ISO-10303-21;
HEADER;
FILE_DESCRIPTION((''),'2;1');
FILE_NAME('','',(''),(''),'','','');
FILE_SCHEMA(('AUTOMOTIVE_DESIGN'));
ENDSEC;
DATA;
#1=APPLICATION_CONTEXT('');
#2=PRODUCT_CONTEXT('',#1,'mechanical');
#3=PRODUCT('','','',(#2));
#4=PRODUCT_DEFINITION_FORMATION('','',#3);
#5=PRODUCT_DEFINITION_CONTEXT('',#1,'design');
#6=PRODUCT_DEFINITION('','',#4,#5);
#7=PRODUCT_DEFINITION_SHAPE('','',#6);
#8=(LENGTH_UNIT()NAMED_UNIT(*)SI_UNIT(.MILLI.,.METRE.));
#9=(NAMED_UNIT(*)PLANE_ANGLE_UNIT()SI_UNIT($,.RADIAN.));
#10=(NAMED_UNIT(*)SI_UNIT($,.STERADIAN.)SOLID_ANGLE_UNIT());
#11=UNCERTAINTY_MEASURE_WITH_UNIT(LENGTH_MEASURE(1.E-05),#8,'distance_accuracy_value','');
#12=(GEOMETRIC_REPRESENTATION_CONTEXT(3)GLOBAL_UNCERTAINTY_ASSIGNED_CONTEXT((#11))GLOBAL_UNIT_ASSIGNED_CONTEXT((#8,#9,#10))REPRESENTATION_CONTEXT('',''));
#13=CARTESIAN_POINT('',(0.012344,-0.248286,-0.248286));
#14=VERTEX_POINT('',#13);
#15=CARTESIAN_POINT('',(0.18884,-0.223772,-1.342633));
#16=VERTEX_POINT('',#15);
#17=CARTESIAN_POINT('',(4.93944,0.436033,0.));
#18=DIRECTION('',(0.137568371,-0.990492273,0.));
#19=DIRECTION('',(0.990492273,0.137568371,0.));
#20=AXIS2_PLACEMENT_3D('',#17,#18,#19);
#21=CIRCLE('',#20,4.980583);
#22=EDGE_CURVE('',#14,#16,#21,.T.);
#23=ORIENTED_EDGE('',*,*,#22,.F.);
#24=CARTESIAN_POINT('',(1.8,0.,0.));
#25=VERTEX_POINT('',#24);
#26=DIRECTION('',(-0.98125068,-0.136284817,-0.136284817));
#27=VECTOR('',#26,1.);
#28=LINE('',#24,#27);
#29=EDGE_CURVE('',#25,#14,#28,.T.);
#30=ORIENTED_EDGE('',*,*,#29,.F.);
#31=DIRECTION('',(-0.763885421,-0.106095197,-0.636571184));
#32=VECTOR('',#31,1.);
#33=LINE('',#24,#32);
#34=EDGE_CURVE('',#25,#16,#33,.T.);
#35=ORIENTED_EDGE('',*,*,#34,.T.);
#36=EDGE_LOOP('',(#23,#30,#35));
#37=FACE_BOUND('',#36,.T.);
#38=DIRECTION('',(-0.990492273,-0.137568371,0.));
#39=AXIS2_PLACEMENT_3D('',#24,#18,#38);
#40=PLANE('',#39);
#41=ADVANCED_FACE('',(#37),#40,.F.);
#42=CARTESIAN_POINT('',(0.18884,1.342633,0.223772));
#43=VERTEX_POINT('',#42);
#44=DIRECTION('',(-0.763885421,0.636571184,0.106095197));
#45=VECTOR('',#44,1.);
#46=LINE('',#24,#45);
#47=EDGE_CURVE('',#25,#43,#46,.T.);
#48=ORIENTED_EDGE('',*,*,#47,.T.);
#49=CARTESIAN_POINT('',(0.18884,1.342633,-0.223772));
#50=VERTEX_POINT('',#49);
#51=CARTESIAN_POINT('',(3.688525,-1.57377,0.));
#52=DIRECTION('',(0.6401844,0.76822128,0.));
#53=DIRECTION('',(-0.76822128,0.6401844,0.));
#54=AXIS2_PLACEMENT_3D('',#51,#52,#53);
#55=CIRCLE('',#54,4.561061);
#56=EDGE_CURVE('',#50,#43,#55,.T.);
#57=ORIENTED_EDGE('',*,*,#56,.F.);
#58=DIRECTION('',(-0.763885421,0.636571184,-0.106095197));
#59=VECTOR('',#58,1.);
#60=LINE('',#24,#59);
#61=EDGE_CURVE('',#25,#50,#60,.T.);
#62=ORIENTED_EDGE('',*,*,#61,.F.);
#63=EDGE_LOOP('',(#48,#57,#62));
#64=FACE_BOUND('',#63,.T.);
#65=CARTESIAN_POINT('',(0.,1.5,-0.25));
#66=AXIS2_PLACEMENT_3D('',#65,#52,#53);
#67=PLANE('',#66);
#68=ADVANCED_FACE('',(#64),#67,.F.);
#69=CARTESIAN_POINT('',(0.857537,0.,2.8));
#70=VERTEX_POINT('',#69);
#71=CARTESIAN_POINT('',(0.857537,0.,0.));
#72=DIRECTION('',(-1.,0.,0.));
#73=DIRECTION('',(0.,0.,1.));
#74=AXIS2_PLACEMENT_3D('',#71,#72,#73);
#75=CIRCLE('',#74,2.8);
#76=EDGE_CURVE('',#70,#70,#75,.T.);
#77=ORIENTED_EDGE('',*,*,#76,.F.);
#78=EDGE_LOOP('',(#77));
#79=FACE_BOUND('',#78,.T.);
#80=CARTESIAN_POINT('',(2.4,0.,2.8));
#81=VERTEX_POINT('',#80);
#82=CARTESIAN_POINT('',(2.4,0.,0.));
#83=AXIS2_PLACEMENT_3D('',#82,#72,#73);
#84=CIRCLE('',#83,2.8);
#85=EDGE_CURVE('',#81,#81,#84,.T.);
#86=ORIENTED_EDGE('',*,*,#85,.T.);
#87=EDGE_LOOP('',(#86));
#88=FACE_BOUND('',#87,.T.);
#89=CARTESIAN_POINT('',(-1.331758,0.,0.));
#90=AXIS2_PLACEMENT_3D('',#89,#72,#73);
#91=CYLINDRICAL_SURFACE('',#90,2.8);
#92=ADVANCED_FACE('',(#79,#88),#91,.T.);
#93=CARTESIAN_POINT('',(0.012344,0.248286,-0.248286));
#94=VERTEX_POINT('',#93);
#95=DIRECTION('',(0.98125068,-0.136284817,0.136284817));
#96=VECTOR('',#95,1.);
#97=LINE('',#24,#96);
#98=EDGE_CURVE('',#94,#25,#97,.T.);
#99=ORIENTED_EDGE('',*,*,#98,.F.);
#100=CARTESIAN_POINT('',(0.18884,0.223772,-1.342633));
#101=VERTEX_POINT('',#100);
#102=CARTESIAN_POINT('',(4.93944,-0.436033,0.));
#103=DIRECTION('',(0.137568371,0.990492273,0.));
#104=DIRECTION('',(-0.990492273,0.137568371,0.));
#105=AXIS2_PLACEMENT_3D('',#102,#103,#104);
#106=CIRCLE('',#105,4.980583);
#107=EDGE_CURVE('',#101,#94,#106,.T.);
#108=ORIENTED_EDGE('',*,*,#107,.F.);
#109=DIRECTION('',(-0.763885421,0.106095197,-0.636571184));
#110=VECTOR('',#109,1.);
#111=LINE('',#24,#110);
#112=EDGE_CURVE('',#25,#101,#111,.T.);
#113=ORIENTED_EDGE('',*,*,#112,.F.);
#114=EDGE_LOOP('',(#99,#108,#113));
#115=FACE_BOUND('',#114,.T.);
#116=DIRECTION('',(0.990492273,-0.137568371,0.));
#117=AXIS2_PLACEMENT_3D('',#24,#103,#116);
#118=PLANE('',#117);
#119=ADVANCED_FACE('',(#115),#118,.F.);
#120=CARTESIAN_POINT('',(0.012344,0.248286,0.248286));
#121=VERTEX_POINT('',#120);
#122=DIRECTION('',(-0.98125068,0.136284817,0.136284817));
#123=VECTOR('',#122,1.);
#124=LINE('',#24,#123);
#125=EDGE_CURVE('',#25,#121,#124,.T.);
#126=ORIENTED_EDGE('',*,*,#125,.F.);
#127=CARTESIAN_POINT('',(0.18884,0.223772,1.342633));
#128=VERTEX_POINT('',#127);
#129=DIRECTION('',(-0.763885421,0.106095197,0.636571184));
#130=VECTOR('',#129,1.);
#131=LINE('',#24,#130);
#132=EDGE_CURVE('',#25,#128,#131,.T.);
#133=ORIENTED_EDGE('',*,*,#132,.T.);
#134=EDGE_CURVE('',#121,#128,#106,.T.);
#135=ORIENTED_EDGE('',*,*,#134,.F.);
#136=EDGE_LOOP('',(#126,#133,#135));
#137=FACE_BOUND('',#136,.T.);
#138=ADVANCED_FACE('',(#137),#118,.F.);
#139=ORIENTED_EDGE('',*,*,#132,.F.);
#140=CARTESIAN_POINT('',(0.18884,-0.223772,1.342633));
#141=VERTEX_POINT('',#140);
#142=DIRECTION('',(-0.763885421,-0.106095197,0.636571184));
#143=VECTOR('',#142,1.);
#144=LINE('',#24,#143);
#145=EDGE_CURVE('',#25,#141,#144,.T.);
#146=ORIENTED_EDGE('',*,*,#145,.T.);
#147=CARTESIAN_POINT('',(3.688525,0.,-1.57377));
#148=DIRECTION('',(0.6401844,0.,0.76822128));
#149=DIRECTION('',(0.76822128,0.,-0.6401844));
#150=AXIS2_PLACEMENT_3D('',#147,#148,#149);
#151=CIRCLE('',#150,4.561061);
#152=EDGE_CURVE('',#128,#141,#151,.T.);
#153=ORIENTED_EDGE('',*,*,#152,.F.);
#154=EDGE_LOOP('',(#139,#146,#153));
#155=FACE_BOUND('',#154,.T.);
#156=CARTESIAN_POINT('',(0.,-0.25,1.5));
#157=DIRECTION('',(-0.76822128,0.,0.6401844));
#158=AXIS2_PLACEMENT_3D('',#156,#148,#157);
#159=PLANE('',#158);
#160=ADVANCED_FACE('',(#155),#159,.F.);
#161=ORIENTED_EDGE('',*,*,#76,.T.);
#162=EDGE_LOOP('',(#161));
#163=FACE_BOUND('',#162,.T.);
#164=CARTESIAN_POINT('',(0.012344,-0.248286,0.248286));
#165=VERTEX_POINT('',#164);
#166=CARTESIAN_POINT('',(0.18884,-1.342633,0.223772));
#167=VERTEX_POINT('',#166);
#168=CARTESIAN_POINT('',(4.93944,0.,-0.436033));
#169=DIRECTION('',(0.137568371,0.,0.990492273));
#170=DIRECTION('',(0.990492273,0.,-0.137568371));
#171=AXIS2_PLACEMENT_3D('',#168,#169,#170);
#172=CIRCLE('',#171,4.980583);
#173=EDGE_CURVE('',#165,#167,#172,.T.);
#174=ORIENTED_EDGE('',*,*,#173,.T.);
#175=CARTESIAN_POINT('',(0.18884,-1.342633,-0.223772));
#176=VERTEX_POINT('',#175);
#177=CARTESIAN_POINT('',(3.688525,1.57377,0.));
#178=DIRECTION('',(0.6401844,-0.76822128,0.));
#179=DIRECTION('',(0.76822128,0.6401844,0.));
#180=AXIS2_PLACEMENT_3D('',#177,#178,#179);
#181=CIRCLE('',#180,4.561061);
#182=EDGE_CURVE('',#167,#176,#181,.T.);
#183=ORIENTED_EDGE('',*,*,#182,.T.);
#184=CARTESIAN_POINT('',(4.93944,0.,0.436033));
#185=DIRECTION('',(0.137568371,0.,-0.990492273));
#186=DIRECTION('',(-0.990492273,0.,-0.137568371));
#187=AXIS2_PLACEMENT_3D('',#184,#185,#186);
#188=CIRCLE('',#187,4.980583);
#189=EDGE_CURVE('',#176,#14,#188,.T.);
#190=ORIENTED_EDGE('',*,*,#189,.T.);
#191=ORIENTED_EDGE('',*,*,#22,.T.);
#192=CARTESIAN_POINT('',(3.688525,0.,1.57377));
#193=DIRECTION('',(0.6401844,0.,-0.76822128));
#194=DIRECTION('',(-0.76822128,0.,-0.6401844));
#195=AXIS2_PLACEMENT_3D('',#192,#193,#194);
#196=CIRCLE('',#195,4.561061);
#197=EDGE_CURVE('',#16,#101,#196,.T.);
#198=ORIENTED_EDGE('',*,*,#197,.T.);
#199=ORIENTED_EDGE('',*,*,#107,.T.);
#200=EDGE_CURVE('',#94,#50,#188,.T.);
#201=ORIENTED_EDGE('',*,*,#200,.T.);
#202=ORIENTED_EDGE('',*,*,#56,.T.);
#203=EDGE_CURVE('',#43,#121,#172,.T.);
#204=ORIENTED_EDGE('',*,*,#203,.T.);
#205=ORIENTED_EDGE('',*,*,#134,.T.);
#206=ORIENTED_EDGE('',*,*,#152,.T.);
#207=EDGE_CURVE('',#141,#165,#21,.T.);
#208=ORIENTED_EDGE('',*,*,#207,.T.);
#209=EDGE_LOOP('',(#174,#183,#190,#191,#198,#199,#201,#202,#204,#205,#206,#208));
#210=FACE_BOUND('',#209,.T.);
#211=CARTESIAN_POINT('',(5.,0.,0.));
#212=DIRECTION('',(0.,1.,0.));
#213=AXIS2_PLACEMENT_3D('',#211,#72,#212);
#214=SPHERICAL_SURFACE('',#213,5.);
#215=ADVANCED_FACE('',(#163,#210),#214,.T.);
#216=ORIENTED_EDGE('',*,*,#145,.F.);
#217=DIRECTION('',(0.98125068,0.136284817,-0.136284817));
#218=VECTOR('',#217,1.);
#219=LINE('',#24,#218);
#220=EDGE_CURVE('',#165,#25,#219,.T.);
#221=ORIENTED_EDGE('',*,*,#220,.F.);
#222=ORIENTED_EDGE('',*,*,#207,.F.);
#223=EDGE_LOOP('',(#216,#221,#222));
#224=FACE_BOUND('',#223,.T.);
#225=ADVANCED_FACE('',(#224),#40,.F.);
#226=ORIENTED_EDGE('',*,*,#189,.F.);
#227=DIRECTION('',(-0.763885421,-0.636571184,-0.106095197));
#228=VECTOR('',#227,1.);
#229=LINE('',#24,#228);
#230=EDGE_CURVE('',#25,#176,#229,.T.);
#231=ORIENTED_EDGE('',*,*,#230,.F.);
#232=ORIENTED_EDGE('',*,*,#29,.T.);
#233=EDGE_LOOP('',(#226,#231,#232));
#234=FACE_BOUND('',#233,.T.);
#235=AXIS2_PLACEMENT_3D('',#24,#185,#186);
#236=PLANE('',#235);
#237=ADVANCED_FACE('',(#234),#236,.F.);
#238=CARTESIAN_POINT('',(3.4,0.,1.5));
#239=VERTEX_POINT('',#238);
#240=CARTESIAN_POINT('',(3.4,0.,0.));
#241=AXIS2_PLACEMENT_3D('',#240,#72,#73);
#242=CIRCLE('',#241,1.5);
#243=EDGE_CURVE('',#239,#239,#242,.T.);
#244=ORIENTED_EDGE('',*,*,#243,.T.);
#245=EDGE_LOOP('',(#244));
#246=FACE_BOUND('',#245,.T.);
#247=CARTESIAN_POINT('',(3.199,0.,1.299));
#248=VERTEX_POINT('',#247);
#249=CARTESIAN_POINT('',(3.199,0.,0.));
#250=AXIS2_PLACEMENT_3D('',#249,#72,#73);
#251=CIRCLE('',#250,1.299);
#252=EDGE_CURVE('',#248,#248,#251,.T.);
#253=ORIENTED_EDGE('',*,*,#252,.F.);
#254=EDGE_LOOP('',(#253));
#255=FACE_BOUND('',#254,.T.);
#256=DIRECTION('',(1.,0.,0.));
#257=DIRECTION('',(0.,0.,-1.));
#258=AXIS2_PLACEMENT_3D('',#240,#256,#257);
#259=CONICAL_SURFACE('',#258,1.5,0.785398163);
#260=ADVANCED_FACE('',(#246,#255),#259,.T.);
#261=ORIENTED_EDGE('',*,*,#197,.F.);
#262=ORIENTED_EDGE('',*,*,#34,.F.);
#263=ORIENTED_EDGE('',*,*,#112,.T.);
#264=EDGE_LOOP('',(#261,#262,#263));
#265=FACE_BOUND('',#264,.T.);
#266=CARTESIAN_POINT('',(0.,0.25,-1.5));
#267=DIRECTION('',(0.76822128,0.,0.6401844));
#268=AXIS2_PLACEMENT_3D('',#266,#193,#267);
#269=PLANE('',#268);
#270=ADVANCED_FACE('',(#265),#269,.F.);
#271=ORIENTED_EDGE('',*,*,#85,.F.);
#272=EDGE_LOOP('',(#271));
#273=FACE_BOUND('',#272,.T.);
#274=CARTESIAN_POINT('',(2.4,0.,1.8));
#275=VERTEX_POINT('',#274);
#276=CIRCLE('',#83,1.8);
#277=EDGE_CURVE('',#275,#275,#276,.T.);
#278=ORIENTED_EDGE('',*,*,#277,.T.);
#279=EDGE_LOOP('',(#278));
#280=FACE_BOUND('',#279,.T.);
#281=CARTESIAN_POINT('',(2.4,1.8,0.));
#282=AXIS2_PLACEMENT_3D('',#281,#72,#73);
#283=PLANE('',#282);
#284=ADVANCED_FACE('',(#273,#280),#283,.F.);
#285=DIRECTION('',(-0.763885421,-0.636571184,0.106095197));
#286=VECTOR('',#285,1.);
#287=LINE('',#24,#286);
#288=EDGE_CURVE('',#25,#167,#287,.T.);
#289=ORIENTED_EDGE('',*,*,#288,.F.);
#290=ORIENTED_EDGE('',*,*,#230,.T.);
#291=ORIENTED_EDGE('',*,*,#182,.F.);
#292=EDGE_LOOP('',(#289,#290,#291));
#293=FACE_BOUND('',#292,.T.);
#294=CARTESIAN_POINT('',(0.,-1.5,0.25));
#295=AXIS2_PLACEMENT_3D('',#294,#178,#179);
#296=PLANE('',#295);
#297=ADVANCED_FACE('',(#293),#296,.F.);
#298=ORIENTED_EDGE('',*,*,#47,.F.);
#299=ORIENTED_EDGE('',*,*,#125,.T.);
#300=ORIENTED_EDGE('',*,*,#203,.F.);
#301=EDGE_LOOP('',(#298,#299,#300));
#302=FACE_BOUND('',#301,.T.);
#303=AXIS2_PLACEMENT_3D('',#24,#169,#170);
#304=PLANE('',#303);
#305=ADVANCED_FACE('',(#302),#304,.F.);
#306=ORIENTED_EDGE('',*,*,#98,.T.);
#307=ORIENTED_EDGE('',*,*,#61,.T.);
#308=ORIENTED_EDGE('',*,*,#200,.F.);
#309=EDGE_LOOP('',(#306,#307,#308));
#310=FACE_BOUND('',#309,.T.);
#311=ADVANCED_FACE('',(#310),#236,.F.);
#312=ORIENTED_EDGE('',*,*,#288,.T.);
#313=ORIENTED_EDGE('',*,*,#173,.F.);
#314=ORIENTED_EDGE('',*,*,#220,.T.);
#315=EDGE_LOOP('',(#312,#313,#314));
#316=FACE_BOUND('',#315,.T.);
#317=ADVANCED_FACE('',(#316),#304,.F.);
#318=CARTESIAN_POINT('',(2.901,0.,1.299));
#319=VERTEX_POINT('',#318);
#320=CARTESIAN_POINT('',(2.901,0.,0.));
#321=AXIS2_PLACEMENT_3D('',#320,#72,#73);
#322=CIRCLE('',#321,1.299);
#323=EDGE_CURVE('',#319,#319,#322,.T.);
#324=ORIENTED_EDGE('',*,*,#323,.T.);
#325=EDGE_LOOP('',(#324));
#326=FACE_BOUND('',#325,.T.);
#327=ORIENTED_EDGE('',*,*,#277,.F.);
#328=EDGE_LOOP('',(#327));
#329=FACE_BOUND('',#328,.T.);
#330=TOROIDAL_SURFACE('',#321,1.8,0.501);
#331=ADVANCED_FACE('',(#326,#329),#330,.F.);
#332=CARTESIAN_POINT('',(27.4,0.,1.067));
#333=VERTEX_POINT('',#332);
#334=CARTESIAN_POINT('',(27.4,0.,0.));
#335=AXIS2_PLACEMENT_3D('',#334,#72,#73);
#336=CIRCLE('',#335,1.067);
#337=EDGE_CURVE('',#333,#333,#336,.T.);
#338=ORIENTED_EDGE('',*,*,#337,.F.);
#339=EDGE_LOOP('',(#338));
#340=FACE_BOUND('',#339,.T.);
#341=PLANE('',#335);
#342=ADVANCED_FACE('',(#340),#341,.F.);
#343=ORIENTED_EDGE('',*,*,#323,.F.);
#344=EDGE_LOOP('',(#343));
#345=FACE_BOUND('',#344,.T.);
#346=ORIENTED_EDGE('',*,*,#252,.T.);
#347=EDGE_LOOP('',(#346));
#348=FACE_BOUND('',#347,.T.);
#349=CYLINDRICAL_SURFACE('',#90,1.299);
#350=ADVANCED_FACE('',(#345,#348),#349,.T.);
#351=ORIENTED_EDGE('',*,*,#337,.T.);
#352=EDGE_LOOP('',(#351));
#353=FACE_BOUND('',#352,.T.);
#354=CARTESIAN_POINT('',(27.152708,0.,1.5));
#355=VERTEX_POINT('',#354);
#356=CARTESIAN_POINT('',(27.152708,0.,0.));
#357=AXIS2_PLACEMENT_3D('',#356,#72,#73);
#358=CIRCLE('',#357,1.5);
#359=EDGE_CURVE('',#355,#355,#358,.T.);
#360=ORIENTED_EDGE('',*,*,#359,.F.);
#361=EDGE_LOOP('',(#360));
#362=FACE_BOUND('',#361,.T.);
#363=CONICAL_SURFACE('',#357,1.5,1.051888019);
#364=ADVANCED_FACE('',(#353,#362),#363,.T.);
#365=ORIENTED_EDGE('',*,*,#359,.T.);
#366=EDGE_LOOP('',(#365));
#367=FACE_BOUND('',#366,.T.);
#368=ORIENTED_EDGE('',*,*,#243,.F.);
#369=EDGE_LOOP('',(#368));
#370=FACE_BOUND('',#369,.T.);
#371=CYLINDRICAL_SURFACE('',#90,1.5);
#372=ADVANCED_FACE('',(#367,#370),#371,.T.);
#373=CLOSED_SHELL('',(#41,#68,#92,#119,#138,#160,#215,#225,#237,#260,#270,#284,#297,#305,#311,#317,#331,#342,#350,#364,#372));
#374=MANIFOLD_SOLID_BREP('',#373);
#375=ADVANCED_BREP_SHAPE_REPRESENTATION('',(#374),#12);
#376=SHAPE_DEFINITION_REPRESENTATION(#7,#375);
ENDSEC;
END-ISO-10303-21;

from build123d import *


with BuildPart() as part:
    # 草图2 → Revolve 816 (revolve)
    with BuildSketch(Plane.XY, mode=Mode.PRIVATE) as revolve_816_sk:
        with BuildLine():
            Line((0, 0), (27.4, 0))
            Line((27.4, 0), (27.4, 1.5))
            Line((27.4, 1.5), (3.4, 1.5))
            Line((3.4, 1.5), (3.199, 1.299))
            Line((3.199, 1.299), (2.901, 1.299))
            ThreePointArc((2.901, 1.299), (2.546739503, 1.445739503), (2.4, 1.8))
            Line((2.4, 1.8), (2.4, 2.8))
            Line((2.4, 2.8), (0.857536965, 2.8))
            ThreePointArc((0.857536965, 2.8), (0.219188606, 1.464186604), (0, 0))
        make_face()
    revolve(revolve_816_sk.sketch.rotate(Axis((-1.331757704, 0, 0), (1, 0, 0)), 90), axis=Axis((-1.331757704, 0, 0), (1, 0, 0)))

    # 草图3 → 切除-旋转1 (revolve, cut)
    with BuildSketch(Plane.XY, mode=Mode.PRIVATE) as cut_revolve_1_sk:
        Polygon((27.152708003, 1.5), (27.652708003, 1.5), (27.4, 1.067), align=None)
    revolve(cut_revolve_1_sk.sketch.rotate(Axis((-0.242766179, 0, 0), (1, 0, 0)), 90), axis=Axis((-0.242766179, 0, 0), (1, 0, 0)), mode=Mode.SUBTRACT)

    # 草图5 → 切除-放样1 section 0
    with BuildSketch(Plane(origin=(0, 0, 0), x_dir=(0, 0, -1), z_dir=(1, 0, 0)), mode=Mode.PRIVATE) as loft_1_s0:
        with BuildLine():
            Line((0.25, 1.5), (-0.25, 1.5))
            Line((-0.25, 1.5), (-0.25, -1.5))
            Line((-0.25, -1.5), (0.25, -1.5))
            Line((0.25, -1.5), (0.25, 1.5))
        make_face()
    loft_1 = loft([Vertex(1.8, 0, 0), loft_1_s0.sketch], mode=Mode.SUBTRACT)

    # 镜向1: 切除-放样1 across plane
    add(loft_1.mirror(Plane(origin=(0, 0, 0), x_dir=(0, 0.7071067811865462, 0.7071067811865488), z_dir=(0, -0.7071067811865488, 0.7071067811865462))), mode=Mode.SUBTRACT)


solid = part.part
